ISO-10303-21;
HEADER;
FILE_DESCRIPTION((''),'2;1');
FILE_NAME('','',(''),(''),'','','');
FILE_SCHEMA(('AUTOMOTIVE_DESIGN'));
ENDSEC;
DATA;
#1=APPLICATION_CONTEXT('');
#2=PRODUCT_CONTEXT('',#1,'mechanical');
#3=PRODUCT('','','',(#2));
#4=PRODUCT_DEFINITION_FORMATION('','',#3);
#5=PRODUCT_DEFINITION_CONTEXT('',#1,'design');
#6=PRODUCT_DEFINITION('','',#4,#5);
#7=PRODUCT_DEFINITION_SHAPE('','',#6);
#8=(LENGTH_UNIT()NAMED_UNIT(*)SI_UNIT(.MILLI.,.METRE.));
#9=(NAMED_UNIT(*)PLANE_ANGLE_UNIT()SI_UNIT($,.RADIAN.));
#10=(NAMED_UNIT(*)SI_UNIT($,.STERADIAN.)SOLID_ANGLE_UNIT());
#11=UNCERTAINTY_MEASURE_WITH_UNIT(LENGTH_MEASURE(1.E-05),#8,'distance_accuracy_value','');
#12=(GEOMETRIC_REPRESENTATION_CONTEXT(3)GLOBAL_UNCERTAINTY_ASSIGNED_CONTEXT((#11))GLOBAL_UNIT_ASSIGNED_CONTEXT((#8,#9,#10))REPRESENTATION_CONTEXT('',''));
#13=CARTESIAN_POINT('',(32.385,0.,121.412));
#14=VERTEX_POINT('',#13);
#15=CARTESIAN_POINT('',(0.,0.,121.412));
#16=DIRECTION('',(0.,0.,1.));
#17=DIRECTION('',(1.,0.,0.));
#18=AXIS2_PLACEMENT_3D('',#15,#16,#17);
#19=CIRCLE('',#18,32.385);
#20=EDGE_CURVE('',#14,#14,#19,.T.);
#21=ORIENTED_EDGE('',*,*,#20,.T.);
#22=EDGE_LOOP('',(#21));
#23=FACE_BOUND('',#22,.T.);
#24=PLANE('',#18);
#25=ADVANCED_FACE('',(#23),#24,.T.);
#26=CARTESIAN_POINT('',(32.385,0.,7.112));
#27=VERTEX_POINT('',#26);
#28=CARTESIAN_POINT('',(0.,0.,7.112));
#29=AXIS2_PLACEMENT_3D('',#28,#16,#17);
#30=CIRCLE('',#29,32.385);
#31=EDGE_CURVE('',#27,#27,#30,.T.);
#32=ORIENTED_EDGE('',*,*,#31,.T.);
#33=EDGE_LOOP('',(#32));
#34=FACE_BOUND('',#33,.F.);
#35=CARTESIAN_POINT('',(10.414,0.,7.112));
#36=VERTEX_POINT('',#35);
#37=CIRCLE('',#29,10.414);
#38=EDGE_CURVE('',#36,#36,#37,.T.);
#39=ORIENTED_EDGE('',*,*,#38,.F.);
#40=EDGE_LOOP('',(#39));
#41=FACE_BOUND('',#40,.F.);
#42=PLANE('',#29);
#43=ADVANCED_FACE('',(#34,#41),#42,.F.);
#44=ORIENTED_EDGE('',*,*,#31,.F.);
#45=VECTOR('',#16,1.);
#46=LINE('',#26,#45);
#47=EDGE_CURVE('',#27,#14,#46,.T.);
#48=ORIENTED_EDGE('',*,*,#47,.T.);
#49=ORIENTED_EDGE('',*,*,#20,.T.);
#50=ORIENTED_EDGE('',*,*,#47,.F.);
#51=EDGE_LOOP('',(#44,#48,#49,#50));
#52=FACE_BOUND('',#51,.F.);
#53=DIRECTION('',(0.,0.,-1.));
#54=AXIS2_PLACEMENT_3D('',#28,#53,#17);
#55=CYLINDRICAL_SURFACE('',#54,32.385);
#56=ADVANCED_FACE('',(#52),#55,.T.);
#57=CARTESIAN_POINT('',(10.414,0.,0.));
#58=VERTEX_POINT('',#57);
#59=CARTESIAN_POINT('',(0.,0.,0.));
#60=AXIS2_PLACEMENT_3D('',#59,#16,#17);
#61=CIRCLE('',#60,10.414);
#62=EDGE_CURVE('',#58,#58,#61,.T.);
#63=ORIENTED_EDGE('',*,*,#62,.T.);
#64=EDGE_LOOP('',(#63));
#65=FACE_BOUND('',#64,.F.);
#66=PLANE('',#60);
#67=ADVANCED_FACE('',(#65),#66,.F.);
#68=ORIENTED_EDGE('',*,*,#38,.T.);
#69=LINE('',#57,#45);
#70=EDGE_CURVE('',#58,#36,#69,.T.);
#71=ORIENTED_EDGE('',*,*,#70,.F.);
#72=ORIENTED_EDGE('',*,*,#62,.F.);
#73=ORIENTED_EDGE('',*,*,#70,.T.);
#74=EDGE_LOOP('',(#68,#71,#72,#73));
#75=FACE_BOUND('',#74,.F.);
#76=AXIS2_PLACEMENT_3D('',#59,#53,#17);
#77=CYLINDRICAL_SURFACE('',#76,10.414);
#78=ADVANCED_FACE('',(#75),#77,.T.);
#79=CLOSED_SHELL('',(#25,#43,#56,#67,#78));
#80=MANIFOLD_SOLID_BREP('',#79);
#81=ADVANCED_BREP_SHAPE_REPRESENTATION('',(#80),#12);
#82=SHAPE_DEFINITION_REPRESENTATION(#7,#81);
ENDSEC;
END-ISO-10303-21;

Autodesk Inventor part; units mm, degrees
ref_plane "YZ Plane" through (0, 0, 0) normal (1, 0, 0) x (0, 1, 0)
ref_plane "XZ Plane" through (0, 0, 0) normal (0, 1, 0) x (-1, 0, 0)
ref_plane "XY Plane" through (0, 0, 0) normal (0, 0, 1) x (1, 0, 0)
sketch "Sketch1" plane through (0, 0, 0) normal (0, 0, 1) x (1, 0, 0)
  circle A0 centre (0, 0) radius 10.414
  dimension "d0" = 20.828
extrude "Extrusion1" add sketch "Sketch1" along normal blind 7.112
sketch "Sketch2" plane through (0, 0, 7.112) normal (0, 0, 1) x (1, 0, 0)
  circle A0 centre (0, 0) radius 10.414 projected
  circle A1 centre (0, 0) radius 32.385
  dimension "d3" = 64.77
extrude "Extrusion2" add sketch "Sketch2" along normal blind 114.3 contours A0 | A1
properties part number "Chassis_Motor"
